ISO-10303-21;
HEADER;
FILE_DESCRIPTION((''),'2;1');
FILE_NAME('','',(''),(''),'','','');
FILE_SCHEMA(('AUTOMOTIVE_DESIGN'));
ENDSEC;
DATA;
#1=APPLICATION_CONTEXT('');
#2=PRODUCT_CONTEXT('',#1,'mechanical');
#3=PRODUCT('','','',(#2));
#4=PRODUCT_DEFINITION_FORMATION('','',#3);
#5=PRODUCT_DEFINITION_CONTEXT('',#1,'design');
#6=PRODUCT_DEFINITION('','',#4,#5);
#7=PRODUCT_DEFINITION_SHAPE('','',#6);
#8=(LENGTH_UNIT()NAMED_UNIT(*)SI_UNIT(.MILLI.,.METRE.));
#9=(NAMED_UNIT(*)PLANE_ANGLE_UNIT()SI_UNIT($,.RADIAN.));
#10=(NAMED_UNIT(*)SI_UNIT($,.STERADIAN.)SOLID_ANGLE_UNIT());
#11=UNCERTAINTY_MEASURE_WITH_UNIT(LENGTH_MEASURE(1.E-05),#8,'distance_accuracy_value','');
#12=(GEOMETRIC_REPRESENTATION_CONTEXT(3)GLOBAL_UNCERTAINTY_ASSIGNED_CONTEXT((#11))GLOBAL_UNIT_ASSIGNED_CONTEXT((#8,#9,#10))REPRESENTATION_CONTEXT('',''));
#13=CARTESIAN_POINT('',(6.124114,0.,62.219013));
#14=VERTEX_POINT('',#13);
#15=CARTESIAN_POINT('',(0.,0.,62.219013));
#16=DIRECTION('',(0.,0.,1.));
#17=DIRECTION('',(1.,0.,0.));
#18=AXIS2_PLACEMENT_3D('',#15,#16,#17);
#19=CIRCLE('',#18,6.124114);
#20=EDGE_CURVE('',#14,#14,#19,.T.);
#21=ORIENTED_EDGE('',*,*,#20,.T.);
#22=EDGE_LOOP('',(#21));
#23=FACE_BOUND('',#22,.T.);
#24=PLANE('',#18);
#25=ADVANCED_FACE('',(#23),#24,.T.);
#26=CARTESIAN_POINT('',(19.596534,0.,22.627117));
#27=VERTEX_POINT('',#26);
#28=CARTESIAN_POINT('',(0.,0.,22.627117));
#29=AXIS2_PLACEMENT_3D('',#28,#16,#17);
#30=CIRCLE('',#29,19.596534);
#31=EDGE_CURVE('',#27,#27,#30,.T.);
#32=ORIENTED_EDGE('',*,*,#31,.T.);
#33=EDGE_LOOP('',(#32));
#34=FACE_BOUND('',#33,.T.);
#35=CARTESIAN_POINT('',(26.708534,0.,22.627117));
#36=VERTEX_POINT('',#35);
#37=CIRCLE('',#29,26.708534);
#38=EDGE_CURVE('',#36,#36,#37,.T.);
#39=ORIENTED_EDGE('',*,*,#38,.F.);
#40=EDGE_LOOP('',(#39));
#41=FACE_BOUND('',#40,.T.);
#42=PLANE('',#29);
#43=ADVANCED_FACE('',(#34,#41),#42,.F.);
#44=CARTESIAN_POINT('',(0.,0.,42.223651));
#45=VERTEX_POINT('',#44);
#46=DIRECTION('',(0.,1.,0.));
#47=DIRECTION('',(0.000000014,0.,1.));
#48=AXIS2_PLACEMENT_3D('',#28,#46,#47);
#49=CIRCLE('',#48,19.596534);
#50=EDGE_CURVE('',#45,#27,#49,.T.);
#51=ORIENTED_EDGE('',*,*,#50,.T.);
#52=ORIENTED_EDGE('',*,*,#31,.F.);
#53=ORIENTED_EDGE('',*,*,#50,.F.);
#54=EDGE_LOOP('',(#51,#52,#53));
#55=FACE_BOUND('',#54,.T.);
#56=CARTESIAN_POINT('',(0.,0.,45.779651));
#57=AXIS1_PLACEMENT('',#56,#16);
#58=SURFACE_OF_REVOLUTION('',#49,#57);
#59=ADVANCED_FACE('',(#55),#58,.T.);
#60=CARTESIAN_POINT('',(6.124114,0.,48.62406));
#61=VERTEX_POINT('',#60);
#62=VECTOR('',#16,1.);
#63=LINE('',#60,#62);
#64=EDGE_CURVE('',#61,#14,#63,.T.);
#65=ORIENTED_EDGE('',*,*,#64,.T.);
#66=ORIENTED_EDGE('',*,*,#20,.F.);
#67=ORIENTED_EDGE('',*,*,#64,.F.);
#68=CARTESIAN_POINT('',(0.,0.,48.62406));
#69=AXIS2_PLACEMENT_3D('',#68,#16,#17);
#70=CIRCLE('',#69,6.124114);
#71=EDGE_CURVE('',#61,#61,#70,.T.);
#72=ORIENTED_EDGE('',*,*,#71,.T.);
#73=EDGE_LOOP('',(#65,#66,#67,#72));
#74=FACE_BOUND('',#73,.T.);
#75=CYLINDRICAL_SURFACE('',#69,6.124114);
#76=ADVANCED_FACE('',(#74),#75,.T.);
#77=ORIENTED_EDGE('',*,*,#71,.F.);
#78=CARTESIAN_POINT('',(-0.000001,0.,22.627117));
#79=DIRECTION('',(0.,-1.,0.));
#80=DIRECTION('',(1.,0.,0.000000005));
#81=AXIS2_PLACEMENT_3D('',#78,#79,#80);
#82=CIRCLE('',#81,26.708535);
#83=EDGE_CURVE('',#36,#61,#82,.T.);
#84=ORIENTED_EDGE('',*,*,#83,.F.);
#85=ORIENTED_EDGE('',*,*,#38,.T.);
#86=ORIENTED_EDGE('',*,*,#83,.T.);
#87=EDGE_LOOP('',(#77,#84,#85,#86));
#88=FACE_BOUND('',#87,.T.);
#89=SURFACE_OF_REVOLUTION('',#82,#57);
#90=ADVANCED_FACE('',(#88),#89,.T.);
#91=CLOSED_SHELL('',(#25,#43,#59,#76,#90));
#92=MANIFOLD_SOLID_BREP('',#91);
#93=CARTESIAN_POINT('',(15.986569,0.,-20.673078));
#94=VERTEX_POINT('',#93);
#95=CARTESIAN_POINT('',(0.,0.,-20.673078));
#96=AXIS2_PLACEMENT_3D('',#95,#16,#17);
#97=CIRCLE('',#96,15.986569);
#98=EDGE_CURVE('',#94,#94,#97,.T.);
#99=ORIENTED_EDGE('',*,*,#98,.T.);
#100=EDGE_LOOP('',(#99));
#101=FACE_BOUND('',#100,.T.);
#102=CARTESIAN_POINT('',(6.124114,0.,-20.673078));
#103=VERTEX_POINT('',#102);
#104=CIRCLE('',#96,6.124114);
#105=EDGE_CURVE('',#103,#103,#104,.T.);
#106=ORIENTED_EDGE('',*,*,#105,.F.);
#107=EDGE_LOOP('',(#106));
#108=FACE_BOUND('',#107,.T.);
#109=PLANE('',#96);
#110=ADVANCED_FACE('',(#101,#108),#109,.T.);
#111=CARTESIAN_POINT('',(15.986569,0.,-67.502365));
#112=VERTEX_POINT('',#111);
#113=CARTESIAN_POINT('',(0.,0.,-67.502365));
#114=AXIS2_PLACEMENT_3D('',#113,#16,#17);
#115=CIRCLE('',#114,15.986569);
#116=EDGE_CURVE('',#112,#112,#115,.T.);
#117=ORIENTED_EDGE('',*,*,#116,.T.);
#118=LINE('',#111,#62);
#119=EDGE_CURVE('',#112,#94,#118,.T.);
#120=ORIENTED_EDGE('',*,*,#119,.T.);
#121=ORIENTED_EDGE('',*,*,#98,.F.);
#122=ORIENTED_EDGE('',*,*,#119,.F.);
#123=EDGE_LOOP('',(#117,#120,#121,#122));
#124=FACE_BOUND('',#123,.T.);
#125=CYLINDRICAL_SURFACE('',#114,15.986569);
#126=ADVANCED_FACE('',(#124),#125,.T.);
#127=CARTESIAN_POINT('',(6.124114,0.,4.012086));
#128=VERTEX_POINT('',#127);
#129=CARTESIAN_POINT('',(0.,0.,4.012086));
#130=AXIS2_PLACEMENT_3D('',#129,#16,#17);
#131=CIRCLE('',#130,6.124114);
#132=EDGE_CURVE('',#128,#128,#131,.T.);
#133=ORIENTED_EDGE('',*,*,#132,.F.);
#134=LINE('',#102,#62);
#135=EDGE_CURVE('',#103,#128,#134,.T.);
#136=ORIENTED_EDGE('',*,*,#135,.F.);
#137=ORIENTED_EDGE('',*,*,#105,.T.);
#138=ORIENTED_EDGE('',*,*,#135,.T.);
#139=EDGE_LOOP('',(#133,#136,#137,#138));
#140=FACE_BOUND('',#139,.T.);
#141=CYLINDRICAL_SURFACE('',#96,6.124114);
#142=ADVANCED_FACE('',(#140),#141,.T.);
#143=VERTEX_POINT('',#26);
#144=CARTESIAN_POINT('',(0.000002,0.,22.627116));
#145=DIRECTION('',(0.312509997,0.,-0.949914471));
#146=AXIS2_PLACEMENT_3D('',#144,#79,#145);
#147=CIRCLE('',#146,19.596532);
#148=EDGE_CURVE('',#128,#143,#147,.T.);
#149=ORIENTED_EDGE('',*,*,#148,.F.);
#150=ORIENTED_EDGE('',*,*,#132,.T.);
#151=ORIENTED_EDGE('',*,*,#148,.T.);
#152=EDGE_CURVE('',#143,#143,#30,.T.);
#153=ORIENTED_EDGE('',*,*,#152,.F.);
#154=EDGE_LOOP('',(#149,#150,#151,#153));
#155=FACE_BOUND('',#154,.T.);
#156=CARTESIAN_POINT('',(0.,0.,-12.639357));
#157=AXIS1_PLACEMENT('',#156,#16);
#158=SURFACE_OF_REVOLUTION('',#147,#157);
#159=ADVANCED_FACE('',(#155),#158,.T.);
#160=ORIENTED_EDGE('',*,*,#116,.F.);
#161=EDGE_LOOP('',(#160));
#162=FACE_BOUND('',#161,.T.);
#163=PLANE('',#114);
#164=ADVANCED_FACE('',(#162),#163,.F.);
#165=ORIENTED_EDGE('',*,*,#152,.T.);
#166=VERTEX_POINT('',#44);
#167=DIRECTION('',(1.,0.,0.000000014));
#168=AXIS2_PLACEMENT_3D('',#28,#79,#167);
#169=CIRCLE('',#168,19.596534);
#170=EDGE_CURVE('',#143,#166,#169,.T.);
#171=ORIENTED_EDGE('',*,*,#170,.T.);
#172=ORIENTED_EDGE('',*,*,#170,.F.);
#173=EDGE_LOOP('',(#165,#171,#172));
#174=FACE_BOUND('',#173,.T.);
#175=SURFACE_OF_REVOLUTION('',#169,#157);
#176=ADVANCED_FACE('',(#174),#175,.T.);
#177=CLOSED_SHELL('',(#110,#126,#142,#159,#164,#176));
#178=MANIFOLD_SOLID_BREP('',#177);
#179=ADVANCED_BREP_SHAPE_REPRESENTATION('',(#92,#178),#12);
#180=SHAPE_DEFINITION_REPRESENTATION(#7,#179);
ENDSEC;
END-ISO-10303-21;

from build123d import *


with BuildPart() as f1:
    # F0 (on Front) → F1 (revolve)
    with BuildSketch(Plane.XZ):
        with BuildLine():
            Line((6.124114, -20.673078), (6.124114, 4.012086))
            ThreePointArc((6.124114, 4.012086), (15.875068, 11.137714), (19.596534, 22.627117))
            ThreePointArc((19.596534, 22.627117), (13.856842, 36.483959), (0, 42.223651))
            Line((0, 42.223651), (0, -67.502365))
            Line((0, -67.502365), (15.986569, -67.502365))
            Line((15.986569, -67.502365), (15.986569, -20.673078))
            Line((15.986569, -20.673078), (6.124114, -20.673078))
        make_face()
    revolve(axis=Axis((0, 0, -12.639357), (0, 0, 1)))


with BuildPart() as f2:
    # F0 (on Front) → F2 (revolve)
    with BuildSketch(Plane.XZ):
        with BuildLine():
            ThreePointArc((0, 42.223651), (13.856842, 36.483959), (19.596534, 22.627117))
            Line((19.596534, 22.627117), (26.708534, 22.627117))
            ThreePointArc((26.708534, 22.627117), (20.93934, 39.206919), (6.124114, 48.62406))
            Line((6.124114, 48.62406), (6.124114, 62.219013))
            Line((6.124114, 62.219013), (0, 62.219013))
            Line((0, 62.219013), (0, 49.335651))
            Line((0, 49.335651), (0, 42.223651))
        make_face()
    revolve(axis=Axis((0, 0, 45.779651), (0, 0, 1)))


solid = Compound([f1.part, f2.part])
